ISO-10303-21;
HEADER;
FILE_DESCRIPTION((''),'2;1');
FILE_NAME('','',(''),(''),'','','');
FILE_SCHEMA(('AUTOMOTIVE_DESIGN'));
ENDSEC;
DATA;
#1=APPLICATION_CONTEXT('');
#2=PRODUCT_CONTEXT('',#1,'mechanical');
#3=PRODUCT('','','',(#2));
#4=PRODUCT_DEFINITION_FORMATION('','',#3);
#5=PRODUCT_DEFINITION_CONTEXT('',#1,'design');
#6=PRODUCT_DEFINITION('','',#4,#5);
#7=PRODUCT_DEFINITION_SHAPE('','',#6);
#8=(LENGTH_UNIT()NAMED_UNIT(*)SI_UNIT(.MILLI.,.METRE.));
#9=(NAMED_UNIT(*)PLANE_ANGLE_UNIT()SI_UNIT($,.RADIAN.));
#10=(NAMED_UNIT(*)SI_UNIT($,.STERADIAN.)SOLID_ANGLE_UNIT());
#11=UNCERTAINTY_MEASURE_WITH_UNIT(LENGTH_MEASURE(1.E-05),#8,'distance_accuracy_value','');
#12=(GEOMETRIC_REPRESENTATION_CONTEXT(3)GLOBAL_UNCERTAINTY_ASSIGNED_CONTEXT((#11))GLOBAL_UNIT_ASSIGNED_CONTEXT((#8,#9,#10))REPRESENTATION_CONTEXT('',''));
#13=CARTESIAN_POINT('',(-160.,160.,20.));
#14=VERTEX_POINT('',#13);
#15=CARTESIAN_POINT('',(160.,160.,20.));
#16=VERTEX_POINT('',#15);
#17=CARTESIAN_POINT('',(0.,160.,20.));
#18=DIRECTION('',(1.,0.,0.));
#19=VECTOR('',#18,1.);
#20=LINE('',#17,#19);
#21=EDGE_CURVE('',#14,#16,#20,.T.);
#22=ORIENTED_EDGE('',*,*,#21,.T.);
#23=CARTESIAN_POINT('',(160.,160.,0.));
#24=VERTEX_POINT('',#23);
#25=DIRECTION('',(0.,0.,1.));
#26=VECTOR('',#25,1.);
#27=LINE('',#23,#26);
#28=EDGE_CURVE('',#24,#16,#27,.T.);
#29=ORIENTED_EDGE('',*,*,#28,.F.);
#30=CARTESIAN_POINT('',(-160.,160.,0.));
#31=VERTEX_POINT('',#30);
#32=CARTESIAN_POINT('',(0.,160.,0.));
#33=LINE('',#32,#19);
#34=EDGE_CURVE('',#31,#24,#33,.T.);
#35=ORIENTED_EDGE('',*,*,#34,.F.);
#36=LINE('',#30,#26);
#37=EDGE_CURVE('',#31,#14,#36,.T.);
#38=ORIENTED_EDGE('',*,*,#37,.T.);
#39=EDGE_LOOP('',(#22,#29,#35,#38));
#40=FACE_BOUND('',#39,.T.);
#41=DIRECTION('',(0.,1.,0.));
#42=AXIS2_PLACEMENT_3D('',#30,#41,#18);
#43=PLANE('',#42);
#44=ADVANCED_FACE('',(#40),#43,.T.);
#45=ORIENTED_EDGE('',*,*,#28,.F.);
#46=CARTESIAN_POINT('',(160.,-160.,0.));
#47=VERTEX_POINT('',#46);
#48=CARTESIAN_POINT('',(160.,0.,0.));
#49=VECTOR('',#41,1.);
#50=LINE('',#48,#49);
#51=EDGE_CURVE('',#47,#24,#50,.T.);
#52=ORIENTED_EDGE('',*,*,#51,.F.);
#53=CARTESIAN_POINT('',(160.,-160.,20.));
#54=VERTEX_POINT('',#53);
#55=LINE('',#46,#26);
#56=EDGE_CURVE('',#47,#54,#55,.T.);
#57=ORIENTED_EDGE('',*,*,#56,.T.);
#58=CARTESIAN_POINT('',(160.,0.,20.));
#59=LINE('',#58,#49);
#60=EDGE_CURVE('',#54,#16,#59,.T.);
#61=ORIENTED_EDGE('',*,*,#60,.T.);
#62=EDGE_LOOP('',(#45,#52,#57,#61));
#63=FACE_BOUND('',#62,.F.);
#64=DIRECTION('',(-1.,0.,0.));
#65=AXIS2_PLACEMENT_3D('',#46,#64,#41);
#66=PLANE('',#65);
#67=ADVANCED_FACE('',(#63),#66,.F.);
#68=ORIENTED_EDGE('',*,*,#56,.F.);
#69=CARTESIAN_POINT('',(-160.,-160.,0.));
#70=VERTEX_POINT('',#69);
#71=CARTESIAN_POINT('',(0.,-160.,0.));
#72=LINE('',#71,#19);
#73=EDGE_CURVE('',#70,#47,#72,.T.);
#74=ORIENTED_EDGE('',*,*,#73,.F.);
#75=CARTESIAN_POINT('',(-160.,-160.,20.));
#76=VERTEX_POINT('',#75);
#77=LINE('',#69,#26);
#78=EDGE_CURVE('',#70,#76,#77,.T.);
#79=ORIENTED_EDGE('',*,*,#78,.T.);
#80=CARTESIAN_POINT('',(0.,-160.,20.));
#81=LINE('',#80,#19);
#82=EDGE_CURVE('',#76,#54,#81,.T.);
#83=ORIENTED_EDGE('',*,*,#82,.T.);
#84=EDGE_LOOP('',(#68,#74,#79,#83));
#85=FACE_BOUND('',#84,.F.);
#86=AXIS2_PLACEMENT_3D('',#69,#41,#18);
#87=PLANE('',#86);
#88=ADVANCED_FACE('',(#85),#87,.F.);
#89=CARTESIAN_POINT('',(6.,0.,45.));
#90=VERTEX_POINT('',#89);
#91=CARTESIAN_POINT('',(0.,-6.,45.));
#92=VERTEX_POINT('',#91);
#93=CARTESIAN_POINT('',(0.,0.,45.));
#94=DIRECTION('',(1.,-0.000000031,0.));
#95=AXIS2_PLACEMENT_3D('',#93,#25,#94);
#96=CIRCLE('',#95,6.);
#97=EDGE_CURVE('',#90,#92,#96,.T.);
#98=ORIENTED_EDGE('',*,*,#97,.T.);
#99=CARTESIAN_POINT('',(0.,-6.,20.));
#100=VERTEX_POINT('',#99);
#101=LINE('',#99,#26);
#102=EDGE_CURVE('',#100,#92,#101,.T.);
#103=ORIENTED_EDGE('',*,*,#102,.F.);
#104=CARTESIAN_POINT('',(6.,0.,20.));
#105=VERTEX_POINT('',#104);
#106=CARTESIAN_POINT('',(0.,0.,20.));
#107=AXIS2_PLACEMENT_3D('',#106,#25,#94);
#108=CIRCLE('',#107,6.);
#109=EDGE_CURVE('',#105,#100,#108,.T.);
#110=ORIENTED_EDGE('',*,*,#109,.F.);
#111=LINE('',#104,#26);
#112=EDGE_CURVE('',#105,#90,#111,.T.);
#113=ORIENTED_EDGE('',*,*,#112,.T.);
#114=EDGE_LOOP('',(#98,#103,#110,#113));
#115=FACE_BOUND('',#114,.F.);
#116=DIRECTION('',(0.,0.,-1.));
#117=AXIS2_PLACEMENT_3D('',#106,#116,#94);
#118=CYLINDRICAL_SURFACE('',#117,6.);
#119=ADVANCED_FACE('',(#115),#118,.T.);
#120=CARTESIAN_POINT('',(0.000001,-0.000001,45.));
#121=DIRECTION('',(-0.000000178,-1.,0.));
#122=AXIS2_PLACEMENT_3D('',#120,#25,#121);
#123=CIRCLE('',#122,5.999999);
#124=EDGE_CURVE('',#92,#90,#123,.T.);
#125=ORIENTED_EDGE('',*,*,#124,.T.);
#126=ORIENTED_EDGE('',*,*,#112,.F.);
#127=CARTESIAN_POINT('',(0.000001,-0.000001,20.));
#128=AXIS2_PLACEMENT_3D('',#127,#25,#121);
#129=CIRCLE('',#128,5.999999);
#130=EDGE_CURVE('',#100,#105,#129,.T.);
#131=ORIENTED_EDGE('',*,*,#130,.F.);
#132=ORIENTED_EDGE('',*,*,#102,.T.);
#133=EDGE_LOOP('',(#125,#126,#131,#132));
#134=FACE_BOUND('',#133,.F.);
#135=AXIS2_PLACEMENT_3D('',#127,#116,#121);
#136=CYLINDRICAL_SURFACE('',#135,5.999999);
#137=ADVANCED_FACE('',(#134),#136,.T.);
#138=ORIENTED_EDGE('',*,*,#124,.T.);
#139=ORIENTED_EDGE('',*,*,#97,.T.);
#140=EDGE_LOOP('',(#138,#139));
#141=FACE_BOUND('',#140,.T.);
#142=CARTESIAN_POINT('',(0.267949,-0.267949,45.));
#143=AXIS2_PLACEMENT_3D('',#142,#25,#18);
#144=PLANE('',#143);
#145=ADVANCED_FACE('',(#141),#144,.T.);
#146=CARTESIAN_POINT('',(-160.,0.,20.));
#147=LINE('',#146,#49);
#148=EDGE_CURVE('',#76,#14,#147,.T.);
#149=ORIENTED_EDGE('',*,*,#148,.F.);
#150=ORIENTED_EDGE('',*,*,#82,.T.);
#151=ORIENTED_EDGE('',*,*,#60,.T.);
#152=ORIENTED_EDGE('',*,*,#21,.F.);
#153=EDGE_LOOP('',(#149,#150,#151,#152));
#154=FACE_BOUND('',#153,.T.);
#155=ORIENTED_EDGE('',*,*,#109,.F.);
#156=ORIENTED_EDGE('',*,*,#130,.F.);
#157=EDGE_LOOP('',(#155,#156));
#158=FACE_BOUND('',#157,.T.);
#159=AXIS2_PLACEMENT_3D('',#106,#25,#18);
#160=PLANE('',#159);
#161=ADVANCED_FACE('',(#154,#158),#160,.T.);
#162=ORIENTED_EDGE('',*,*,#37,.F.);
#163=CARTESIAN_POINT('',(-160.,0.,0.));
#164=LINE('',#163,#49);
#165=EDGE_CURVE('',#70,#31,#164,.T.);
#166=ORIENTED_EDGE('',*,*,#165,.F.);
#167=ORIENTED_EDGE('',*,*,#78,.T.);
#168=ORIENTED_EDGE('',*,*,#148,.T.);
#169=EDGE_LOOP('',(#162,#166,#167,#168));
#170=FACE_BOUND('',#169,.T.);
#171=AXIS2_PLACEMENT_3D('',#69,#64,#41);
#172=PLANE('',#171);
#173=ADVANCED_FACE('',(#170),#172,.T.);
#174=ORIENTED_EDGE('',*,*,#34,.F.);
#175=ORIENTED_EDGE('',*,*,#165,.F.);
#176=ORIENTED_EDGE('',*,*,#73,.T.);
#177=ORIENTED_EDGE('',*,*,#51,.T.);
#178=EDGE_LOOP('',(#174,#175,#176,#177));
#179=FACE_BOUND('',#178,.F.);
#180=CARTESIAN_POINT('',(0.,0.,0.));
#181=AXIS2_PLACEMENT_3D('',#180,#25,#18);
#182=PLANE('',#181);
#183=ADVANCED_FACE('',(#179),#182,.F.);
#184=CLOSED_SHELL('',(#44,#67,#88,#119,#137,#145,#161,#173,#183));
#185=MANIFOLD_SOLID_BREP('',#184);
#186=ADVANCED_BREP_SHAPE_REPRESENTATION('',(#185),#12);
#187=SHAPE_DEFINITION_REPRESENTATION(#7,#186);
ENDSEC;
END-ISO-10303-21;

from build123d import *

# Parameters (mm, degrees)
F0_W     = 320
F0_H     = 320
F1_DEPTH = 20
F3_DEPTH = 25


with BuildPart() as f1:
    # F0 (on Top) → F1 (new body)
    with BuildSketch(Plane.XY):
        Rectangle(F0_W, F0_H)
    extrude(amount=F1_DEPTH)

    # F2 (on face) → F3 (join)
    with BuildSketch(Plane.XY.offset(20)):
        with BuildLine():
            ThreePointArc((6, 0), (-4.242641, 4.242641), (0, -6))
            ThreePointArc((0, -6), (4.242641, -4.242641), (6, 0))
        make_face()
    extrude(amount=F3_DEPTH)


solid = f1.part
